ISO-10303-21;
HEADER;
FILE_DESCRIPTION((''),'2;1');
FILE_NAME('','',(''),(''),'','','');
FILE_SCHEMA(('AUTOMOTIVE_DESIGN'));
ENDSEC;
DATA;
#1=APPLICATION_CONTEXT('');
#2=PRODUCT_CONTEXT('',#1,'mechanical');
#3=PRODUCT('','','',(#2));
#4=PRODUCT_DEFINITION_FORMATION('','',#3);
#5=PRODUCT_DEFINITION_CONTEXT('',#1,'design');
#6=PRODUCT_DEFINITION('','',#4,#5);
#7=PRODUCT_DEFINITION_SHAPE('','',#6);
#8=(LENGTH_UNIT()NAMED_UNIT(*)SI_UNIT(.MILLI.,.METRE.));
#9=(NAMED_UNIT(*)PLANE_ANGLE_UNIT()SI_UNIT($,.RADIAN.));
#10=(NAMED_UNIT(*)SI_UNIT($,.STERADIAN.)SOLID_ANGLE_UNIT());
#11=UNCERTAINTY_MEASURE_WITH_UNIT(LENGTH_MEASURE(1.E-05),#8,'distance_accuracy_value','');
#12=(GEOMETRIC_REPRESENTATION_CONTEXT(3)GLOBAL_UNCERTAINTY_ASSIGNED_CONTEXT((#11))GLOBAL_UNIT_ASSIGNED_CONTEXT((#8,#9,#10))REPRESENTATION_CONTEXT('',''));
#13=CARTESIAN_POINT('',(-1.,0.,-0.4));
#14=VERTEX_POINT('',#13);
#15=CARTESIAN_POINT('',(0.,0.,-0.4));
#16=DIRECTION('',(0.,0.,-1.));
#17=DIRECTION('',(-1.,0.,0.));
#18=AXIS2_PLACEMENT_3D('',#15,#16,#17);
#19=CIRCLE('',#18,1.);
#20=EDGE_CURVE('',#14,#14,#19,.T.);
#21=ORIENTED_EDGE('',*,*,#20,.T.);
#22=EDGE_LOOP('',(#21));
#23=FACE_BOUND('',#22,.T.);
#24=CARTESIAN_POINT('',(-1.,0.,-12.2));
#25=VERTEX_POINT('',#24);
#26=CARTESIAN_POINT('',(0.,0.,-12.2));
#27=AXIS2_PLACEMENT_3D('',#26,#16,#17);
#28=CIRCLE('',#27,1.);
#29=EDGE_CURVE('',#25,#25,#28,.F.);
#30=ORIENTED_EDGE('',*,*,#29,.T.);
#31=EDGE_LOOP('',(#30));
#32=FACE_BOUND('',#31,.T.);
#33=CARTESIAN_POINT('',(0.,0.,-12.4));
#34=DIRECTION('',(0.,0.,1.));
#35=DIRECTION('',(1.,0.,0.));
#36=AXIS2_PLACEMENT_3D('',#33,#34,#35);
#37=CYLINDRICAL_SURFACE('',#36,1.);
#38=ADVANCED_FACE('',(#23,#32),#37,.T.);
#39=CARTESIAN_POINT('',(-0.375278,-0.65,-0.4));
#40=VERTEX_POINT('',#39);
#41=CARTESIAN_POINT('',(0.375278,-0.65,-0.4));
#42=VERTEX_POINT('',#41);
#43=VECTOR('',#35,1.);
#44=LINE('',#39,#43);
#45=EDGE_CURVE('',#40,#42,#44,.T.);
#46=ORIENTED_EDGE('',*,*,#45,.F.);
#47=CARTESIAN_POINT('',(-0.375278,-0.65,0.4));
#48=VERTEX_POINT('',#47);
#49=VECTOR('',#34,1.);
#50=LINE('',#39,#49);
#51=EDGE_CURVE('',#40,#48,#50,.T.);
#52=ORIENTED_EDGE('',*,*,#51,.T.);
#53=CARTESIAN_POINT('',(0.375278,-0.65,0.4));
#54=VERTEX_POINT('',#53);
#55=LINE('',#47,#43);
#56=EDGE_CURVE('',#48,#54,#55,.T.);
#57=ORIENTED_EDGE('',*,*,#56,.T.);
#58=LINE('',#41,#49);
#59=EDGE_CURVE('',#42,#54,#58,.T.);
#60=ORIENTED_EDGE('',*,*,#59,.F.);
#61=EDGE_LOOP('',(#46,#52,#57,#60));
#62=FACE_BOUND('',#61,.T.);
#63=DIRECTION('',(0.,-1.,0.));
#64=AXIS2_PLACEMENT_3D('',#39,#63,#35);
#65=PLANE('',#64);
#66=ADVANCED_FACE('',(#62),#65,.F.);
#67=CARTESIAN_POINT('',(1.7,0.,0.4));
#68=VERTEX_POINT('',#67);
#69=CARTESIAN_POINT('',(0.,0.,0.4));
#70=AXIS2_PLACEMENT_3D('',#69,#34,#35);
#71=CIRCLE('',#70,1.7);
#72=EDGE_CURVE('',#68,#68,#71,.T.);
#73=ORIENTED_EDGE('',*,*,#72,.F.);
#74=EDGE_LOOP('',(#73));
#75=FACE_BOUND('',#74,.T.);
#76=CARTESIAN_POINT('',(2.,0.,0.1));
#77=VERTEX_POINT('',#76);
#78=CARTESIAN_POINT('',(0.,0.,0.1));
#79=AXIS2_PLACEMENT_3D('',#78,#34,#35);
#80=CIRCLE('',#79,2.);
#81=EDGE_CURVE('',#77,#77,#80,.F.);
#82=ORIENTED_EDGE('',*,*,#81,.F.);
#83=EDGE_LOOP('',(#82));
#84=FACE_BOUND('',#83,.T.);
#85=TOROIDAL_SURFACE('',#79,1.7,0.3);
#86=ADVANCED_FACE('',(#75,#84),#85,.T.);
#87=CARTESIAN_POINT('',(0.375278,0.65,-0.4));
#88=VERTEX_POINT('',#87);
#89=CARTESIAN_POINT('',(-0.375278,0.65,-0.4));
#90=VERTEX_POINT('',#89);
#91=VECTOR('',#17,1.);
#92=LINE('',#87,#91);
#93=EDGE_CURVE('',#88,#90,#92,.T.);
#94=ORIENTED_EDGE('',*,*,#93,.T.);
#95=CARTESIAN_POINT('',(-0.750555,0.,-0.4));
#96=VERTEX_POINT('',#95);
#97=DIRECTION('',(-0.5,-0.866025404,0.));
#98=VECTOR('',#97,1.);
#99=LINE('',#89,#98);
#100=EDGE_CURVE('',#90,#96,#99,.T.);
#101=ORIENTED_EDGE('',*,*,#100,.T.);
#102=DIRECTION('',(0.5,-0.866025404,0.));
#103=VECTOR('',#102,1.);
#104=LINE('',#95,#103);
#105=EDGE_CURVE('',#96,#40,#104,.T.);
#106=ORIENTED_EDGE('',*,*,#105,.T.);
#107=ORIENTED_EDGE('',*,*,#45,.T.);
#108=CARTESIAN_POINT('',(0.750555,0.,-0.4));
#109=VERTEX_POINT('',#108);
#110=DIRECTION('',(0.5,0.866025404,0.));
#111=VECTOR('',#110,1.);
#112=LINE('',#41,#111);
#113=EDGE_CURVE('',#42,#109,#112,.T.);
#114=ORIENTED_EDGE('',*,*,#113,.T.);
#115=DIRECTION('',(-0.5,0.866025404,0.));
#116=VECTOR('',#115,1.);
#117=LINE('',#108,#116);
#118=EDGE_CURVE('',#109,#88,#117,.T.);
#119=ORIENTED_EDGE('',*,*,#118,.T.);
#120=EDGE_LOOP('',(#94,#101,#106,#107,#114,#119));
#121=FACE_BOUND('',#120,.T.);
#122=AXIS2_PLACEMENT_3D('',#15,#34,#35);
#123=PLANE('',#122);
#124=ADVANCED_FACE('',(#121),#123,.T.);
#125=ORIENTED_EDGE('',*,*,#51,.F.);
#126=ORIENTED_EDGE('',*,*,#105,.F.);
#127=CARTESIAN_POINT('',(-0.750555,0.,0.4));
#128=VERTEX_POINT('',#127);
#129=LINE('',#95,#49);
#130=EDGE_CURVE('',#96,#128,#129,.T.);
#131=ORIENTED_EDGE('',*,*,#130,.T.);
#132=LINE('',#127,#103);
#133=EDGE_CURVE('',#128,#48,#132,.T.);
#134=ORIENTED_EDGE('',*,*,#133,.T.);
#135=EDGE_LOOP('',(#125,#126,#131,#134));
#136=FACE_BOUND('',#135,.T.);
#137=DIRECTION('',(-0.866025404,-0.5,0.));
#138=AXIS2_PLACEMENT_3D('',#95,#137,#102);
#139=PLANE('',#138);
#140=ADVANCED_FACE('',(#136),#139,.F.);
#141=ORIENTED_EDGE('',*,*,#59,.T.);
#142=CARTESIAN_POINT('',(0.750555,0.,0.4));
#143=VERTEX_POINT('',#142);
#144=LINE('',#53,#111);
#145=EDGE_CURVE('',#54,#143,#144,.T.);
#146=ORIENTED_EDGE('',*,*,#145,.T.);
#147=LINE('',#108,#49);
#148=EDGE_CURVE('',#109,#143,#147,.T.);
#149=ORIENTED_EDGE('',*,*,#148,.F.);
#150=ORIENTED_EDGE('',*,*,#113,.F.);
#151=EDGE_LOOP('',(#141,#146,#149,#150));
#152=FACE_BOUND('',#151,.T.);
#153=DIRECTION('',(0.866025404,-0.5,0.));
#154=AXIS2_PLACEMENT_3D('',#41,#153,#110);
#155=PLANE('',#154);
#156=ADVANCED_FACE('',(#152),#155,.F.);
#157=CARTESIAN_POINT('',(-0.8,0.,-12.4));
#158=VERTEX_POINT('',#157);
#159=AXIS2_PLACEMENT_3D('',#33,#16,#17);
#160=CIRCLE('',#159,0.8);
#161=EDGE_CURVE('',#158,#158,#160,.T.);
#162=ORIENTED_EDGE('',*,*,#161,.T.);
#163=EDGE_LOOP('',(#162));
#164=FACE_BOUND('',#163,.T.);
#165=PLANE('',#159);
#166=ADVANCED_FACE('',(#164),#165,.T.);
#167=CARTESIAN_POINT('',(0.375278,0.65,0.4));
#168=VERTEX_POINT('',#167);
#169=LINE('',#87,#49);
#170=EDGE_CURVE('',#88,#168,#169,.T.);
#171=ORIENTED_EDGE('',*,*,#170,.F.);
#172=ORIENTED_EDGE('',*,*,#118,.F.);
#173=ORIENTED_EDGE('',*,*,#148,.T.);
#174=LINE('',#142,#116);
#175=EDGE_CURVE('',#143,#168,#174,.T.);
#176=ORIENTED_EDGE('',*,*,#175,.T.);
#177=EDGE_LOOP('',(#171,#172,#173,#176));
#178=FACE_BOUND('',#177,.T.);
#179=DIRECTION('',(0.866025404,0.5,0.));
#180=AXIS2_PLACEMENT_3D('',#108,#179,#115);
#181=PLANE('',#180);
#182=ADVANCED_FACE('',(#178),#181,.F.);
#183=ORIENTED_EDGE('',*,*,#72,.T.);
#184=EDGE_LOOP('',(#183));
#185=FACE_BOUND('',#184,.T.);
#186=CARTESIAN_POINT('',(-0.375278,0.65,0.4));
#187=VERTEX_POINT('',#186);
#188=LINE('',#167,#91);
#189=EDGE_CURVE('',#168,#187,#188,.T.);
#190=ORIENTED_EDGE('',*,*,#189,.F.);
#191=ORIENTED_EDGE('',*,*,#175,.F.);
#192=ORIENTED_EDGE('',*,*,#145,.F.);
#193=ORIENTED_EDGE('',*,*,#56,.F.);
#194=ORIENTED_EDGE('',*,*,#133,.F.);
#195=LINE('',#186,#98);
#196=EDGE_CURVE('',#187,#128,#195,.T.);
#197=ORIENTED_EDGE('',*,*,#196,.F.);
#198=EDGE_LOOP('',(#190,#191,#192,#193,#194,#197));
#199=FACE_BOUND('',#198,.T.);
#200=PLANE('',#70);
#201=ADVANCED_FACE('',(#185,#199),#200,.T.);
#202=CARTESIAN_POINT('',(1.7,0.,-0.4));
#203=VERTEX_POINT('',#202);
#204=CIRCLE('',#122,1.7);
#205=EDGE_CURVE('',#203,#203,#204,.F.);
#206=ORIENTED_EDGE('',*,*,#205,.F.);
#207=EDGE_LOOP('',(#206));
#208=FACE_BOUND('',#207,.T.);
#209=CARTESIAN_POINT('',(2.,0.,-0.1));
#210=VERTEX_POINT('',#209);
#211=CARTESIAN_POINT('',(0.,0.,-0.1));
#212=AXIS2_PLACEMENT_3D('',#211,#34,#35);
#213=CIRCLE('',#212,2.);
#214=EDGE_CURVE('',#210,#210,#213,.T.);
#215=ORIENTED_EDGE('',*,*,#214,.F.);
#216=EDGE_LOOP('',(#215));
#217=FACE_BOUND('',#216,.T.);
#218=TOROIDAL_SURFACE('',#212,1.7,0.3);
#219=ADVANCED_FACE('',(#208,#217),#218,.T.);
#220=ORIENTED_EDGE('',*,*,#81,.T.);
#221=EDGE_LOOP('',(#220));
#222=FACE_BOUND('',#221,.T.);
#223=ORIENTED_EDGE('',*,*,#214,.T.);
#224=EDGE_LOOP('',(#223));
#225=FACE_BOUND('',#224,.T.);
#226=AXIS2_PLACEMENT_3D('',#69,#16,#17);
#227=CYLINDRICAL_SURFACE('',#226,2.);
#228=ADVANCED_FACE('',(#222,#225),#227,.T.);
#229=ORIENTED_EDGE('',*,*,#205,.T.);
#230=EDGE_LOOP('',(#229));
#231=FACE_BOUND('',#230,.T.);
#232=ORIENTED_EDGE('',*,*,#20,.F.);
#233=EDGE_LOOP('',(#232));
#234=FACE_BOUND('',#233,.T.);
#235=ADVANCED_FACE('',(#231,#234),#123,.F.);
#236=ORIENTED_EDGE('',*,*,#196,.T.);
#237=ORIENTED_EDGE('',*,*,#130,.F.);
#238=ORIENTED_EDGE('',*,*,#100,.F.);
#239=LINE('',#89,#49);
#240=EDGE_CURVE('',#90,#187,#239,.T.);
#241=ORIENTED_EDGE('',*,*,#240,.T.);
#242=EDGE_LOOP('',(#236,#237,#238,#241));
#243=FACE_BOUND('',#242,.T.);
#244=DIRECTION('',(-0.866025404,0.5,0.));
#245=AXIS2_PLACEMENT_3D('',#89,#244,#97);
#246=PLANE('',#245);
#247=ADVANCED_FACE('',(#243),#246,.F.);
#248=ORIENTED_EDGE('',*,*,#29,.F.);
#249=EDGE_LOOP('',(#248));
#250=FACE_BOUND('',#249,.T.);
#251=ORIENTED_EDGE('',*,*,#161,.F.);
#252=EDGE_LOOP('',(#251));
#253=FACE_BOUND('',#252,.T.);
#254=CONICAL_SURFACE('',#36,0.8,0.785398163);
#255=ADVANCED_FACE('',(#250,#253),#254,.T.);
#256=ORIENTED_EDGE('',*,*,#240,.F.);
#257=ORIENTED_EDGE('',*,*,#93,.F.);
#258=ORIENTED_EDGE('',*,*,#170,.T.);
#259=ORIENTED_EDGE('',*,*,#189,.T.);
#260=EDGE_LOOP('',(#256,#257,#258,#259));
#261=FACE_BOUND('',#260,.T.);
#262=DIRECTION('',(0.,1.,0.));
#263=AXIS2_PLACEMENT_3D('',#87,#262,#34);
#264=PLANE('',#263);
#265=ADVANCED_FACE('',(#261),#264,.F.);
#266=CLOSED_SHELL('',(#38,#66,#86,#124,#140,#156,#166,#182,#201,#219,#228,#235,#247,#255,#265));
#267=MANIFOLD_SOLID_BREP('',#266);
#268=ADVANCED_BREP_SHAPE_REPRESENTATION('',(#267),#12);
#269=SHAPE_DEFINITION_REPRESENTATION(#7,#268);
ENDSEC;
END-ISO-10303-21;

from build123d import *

# Parameters (mm, degrees)
SKETCH_1_R          = 2
EXTRUDE_1_DEPTH     = 0.4
SKETCH_2_R          = 1
EXTRUDE_2_DEPTH     = 12
CHAMFER_1_SIZE      = 0.2
CUT_EXTRUDE_1_DEPTH = 0.8
FILLET_2_R          = 0.3


with BuildPart() as part:
    # 草图1 → 凸台-拉伸1 (new body, symmetric)
    with BuildSketch(Plane.XY):
        Circle(SKETCH_1_R)
    extrude(amount=EXTRUDE_1_DEPTH, both=True)

    # 草图2 → 凸台-拉伸2 (add)
    with BuildSketch(Plane(origin=(0, 0, -0.4), x_dir=(-1, 0, 0), z_dir=(0, 0, -1))):
        Circle(SKETCH_2_R)
    extrude(amount=EXTRUDE_2_DEPTH)

    # 倒角1
    chamfer_1_edges = [part.edges().sort_by_distance(p)[0] for p in [
        (1, 0, -12.4),
    ]]
    chamfer(chamfer_1_edges, length=CHAMFER_1_SIZE)

    # 草图3 → 切除-拉伸1 (cut)
    with BuildSketch(Plane.XY.offset(0.4)):
        Polygon((0.75055535, 0), (0.375277675, 0.65), (-0.375277675, 0.65), (-0.75055535, 0), (-0.375277675, -0.65), (0.375277675, -0.65), align=None)
    extrude(amount=-CUT_EXTRUDE_1_DEPTH, mode=Mode.SUBTRACT)

    # 圆角2
    fillet_2_edges = [part.edges().sort_by_distance(p)[0] for p in [
        (-2, 0, -0.4),
        (-2, 0, 0.4),
    ]]
    fillet(fillet_2_edges, radius=FILLET_2_R)


solid = part.part
